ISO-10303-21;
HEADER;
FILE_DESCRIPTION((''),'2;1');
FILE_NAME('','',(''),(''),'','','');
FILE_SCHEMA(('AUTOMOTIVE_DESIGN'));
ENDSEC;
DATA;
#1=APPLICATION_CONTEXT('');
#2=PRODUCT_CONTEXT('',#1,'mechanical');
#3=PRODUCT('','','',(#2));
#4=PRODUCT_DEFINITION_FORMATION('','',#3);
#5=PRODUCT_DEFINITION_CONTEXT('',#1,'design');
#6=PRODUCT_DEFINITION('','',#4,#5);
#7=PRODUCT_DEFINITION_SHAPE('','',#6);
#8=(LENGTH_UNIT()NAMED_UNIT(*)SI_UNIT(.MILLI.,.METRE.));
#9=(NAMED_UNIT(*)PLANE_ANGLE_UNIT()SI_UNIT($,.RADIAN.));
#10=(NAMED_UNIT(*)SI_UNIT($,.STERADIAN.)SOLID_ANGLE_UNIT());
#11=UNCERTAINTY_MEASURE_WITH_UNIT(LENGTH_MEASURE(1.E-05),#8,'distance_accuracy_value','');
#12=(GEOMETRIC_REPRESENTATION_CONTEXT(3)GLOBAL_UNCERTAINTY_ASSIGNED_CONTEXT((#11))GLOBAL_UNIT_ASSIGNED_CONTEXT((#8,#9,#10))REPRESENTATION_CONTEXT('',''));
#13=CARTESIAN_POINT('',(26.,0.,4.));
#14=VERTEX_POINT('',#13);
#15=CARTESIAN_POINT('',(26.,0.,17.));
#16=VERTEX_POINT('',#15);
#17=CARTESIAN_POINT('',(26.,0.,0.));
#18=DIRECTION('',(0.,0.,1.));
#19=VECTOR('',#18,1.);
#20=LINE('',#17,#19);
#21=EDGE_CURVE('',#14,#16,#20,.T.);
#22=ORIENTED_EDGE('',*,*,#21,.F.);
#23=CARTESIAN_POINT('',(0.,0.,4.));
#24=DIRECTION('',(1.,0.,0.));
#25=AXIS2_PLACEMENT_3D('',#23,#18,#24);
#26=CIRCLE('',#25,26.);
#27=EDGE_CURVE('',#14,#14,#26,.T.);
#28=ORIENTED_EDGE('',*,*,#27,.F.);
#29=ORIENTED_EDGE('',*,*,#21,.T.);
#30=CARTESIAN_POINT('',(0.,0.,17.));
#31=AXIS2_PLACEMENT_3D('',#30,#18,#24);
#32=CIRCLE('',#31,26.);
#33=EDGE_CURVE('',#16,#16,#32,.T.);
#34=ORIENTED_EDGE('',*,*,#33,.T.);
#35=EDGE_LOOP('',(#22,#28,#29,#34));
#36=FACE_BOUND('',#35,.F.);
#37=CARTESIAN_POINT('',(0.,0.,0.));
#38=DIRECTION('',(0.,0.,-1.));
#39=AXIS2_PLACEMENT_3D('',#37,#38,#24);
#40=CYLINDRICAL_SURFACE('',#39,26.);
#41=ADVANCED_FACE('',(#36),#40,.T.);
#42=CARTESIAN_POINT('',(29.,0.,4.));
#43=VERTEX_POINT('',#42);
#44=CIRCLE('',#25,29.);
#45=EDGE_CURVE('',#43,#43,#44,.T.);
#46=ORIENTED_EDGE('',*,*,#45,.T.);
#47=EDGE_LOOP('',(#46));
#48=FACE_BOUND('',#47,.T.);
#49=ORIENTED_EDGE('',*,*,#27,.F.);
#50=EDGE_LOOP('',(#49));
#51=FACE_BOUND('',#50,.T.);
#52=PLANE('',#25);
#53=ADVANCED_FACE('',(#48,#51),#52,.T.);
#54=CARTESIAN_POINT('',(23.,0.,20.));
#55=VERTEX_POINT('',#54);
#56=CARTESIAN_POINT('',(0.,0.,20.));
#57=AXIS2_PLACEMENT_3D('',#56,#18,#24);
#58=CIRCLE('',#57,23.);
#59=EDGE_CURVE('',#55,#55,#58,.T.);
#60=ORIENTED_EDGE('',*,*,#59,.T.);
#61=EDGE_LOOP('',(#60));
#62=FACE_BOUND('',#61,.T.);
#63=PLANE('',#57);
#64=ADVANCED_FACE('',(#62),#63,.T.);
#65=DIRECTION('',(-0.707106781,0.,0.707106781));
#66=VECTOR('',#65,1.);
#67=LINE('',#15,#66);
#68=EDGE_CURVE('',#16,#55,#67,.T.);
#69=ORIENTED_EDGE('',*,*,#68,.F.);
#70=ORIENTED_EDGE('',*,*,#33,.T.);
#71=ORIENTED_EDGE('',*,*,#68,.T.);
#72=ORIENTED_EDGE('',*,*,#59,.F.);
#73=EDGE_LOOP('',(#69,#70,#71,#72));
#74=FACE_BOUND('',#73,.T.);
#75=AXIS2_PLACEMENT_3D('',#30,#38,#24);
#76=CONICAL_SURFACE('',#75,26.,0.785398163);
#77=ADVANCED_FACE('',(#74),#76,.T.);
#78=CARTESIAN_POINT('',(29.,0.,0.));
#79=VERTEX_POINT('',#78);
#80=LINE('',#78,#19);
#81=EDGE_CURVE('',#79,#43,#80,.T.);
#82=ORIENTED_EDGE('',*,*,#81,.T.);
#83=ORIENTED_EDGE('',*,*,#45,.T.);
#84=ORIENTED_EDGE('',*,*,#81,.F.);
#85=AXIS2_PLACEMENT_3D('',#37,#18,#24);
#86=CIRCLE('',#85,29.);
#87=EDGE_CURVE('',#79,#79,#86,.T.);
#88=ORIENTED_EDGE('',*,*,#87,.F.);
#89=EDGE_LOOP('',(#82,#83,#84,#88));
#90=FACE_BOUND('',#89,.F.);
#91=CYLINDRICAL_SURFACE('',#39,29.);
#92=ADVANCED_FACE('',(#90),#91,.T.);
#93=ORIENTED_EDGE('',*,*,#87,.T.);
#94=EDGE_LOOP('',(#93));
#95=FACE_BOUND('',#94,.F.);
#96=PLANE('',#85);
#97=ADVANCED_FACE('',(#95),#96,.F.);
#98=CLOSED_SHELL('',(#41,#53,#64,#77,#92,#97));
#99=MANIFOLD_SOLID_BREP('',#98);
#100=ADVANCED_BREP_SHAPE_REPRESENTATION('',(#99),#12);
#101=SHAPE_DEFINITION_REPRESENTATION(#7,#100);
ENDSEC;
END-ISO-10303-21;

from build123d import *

# Parameters (mm, degrees)
F0_R     = 26
F0_W     = 14.36842
F0_H     = 5.710526
F1_DEPTH = 20
F0_R_2   = 29
F2_DEPTH = 4
F3_SIZE  = 3


with BuildPart() as f1:
    # F0 (on Top) → F1 (new body)
    with BuildSketch(Plane.XY):
        Circle(F0_R)
        Rectangle(F0_W, F0_H, mode=Mode.SUBTRACT)
        Rectangle(F0_W, F0_H)
    extrude(amount=F1_DEPTH)

    # F0 (on Top) → F2 (join)
    with BuildSketch(Plane.XY):
        Circle(F0_R_2)
        Circle(F0_R, mode=Mode.SUBTRACT)
    extrude(amount=F2_DEPTH)

    # F3
    f3_edges = [f1.edges().sort_by_distance(p)[0] for p in [
        (-26, 0, 20),
    ]]
    chamfer(f3_edges, length=F3_SIZE)


solid = f1.part
